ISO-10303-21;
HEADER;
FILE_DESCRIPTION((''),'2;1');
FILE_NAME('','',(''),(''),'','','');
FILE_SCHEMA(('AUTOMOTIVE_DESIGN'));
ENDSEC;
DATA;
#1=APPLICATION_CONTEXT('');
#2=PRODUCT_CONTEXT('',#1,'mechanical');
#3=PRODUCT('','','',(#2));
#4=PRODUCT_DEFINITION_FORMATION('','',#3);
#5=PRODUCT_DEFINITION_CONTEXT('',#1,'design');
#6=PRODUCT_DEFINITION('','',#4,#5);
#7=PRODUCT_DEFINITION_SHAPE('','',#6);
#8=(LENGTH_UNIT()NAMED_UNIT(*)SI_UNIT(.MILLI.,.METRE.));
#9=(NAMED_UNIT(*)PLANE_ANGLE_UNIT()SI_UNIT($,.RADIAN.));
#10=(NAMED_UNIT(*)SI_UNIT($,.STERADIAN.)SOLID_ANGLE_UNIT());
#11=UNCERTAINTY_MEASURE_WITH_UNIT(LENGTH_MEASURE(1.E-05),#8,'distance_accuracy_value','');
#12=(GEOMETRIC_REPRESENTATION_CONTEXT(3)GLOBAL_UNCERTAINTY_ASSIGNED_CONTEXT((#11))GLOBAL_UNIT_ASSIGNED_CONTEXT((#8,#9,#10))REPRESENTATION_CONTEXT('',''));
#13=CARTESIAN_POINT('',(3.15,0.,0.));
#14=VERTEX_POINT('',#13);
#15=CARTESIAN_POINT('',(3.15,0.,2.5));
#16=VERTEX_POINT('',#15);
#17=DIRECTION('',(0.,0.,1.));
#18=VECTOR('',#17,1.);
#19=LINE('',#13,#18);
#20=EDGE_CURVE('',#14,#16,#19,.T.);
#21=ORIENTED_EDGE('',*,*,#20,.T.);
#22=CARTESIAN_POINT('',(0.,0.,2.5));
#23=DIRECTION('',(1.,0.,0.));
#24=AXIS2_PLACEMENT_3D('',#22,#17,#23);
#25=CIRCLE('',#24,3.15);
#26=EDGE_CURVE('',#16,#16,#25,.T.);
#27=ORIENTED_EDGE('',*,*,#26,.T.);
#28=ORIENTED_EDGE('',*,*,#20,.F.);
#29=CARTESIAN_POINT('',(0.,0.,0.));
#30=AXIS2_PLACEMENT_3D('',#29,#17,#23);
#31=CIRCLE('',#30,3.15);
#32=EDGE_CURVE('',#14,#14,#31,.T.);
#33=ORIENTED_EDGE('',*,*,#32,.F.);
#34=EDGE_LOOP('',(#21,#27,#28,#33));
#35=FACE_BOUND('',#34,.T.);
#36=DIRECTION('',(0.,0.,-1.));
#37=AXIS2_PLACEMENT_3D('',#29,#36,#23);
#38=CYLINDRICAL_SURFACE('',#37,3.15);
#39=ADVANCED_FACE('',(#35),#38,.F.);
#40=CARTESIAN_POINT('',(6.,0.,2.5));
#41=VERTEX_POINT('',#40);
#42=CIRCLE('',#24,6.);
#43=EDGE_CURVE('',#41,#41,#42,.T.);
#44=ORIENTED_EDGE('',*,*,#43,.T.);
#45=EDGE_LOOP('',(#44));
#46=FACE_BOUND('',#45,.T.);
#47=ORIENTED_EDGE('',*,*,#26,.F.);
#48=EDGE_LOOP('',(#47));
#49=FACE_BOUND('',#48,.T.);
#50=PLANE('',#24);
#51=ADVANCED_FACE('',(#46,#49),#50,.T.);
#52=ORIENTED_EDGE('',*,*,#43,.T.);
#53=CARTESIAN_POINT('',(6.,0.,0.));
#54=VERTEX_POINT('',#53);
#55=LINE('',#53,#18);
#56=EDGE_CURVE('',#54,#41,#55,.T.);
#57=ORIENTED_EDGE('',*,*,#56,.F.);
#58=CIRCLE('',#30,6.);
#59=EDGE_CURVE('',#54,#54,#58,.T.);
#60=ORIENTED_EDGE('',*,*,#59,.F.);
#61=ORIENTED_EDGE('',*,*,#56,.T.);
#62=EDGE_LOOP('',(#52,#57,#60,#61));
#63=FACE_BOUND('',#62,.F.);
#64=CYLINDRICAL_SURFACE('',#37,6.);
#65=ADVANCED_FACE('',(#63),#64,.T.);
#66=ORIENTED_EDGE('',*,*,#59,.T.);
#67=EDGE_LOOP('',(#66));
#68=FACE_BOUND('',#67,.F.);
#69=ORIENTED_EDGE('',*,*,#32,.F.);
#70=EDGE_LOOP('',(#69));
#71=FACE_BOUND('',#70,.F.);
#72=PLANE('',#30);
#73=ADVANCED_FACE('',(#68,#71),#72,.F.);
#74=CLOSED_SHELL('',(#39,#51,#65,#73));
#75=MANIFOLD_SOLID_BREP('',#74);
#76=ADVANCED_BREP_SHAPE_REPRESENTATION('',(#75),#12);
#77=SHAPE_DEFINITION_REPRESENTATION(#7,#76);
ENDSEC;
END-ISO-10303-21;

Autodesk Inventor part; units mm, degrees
ref_plane "YZ Plane" through (0, 0, 0) normal (1, 0, 0) x (0, 1, 0)
ref_plane "XZ Plane" through (0, 0, 0) normal (0, 1, 0) x (-1, 0, 0)
ref_plane "XY Plane" through (0, 0, 0) normal (0, 0, 1) x (1, 0, 0)
sketch "スケッチ1" plane through (0, 0, 0) normal (0, 0, 1) x (1, 0, 0)
  circle A0 centre (0, 0) radius 3.15
  circle A1 centre (0, 0) radius 6
  dimension "d0" = 6.3
  dimension "d1" = 12
extrude "押し出し1" add sketch "スケッチ1" along normal blind 2.5
properties part number "CC-0612-25B" material "アセタール樹脂、黒"
